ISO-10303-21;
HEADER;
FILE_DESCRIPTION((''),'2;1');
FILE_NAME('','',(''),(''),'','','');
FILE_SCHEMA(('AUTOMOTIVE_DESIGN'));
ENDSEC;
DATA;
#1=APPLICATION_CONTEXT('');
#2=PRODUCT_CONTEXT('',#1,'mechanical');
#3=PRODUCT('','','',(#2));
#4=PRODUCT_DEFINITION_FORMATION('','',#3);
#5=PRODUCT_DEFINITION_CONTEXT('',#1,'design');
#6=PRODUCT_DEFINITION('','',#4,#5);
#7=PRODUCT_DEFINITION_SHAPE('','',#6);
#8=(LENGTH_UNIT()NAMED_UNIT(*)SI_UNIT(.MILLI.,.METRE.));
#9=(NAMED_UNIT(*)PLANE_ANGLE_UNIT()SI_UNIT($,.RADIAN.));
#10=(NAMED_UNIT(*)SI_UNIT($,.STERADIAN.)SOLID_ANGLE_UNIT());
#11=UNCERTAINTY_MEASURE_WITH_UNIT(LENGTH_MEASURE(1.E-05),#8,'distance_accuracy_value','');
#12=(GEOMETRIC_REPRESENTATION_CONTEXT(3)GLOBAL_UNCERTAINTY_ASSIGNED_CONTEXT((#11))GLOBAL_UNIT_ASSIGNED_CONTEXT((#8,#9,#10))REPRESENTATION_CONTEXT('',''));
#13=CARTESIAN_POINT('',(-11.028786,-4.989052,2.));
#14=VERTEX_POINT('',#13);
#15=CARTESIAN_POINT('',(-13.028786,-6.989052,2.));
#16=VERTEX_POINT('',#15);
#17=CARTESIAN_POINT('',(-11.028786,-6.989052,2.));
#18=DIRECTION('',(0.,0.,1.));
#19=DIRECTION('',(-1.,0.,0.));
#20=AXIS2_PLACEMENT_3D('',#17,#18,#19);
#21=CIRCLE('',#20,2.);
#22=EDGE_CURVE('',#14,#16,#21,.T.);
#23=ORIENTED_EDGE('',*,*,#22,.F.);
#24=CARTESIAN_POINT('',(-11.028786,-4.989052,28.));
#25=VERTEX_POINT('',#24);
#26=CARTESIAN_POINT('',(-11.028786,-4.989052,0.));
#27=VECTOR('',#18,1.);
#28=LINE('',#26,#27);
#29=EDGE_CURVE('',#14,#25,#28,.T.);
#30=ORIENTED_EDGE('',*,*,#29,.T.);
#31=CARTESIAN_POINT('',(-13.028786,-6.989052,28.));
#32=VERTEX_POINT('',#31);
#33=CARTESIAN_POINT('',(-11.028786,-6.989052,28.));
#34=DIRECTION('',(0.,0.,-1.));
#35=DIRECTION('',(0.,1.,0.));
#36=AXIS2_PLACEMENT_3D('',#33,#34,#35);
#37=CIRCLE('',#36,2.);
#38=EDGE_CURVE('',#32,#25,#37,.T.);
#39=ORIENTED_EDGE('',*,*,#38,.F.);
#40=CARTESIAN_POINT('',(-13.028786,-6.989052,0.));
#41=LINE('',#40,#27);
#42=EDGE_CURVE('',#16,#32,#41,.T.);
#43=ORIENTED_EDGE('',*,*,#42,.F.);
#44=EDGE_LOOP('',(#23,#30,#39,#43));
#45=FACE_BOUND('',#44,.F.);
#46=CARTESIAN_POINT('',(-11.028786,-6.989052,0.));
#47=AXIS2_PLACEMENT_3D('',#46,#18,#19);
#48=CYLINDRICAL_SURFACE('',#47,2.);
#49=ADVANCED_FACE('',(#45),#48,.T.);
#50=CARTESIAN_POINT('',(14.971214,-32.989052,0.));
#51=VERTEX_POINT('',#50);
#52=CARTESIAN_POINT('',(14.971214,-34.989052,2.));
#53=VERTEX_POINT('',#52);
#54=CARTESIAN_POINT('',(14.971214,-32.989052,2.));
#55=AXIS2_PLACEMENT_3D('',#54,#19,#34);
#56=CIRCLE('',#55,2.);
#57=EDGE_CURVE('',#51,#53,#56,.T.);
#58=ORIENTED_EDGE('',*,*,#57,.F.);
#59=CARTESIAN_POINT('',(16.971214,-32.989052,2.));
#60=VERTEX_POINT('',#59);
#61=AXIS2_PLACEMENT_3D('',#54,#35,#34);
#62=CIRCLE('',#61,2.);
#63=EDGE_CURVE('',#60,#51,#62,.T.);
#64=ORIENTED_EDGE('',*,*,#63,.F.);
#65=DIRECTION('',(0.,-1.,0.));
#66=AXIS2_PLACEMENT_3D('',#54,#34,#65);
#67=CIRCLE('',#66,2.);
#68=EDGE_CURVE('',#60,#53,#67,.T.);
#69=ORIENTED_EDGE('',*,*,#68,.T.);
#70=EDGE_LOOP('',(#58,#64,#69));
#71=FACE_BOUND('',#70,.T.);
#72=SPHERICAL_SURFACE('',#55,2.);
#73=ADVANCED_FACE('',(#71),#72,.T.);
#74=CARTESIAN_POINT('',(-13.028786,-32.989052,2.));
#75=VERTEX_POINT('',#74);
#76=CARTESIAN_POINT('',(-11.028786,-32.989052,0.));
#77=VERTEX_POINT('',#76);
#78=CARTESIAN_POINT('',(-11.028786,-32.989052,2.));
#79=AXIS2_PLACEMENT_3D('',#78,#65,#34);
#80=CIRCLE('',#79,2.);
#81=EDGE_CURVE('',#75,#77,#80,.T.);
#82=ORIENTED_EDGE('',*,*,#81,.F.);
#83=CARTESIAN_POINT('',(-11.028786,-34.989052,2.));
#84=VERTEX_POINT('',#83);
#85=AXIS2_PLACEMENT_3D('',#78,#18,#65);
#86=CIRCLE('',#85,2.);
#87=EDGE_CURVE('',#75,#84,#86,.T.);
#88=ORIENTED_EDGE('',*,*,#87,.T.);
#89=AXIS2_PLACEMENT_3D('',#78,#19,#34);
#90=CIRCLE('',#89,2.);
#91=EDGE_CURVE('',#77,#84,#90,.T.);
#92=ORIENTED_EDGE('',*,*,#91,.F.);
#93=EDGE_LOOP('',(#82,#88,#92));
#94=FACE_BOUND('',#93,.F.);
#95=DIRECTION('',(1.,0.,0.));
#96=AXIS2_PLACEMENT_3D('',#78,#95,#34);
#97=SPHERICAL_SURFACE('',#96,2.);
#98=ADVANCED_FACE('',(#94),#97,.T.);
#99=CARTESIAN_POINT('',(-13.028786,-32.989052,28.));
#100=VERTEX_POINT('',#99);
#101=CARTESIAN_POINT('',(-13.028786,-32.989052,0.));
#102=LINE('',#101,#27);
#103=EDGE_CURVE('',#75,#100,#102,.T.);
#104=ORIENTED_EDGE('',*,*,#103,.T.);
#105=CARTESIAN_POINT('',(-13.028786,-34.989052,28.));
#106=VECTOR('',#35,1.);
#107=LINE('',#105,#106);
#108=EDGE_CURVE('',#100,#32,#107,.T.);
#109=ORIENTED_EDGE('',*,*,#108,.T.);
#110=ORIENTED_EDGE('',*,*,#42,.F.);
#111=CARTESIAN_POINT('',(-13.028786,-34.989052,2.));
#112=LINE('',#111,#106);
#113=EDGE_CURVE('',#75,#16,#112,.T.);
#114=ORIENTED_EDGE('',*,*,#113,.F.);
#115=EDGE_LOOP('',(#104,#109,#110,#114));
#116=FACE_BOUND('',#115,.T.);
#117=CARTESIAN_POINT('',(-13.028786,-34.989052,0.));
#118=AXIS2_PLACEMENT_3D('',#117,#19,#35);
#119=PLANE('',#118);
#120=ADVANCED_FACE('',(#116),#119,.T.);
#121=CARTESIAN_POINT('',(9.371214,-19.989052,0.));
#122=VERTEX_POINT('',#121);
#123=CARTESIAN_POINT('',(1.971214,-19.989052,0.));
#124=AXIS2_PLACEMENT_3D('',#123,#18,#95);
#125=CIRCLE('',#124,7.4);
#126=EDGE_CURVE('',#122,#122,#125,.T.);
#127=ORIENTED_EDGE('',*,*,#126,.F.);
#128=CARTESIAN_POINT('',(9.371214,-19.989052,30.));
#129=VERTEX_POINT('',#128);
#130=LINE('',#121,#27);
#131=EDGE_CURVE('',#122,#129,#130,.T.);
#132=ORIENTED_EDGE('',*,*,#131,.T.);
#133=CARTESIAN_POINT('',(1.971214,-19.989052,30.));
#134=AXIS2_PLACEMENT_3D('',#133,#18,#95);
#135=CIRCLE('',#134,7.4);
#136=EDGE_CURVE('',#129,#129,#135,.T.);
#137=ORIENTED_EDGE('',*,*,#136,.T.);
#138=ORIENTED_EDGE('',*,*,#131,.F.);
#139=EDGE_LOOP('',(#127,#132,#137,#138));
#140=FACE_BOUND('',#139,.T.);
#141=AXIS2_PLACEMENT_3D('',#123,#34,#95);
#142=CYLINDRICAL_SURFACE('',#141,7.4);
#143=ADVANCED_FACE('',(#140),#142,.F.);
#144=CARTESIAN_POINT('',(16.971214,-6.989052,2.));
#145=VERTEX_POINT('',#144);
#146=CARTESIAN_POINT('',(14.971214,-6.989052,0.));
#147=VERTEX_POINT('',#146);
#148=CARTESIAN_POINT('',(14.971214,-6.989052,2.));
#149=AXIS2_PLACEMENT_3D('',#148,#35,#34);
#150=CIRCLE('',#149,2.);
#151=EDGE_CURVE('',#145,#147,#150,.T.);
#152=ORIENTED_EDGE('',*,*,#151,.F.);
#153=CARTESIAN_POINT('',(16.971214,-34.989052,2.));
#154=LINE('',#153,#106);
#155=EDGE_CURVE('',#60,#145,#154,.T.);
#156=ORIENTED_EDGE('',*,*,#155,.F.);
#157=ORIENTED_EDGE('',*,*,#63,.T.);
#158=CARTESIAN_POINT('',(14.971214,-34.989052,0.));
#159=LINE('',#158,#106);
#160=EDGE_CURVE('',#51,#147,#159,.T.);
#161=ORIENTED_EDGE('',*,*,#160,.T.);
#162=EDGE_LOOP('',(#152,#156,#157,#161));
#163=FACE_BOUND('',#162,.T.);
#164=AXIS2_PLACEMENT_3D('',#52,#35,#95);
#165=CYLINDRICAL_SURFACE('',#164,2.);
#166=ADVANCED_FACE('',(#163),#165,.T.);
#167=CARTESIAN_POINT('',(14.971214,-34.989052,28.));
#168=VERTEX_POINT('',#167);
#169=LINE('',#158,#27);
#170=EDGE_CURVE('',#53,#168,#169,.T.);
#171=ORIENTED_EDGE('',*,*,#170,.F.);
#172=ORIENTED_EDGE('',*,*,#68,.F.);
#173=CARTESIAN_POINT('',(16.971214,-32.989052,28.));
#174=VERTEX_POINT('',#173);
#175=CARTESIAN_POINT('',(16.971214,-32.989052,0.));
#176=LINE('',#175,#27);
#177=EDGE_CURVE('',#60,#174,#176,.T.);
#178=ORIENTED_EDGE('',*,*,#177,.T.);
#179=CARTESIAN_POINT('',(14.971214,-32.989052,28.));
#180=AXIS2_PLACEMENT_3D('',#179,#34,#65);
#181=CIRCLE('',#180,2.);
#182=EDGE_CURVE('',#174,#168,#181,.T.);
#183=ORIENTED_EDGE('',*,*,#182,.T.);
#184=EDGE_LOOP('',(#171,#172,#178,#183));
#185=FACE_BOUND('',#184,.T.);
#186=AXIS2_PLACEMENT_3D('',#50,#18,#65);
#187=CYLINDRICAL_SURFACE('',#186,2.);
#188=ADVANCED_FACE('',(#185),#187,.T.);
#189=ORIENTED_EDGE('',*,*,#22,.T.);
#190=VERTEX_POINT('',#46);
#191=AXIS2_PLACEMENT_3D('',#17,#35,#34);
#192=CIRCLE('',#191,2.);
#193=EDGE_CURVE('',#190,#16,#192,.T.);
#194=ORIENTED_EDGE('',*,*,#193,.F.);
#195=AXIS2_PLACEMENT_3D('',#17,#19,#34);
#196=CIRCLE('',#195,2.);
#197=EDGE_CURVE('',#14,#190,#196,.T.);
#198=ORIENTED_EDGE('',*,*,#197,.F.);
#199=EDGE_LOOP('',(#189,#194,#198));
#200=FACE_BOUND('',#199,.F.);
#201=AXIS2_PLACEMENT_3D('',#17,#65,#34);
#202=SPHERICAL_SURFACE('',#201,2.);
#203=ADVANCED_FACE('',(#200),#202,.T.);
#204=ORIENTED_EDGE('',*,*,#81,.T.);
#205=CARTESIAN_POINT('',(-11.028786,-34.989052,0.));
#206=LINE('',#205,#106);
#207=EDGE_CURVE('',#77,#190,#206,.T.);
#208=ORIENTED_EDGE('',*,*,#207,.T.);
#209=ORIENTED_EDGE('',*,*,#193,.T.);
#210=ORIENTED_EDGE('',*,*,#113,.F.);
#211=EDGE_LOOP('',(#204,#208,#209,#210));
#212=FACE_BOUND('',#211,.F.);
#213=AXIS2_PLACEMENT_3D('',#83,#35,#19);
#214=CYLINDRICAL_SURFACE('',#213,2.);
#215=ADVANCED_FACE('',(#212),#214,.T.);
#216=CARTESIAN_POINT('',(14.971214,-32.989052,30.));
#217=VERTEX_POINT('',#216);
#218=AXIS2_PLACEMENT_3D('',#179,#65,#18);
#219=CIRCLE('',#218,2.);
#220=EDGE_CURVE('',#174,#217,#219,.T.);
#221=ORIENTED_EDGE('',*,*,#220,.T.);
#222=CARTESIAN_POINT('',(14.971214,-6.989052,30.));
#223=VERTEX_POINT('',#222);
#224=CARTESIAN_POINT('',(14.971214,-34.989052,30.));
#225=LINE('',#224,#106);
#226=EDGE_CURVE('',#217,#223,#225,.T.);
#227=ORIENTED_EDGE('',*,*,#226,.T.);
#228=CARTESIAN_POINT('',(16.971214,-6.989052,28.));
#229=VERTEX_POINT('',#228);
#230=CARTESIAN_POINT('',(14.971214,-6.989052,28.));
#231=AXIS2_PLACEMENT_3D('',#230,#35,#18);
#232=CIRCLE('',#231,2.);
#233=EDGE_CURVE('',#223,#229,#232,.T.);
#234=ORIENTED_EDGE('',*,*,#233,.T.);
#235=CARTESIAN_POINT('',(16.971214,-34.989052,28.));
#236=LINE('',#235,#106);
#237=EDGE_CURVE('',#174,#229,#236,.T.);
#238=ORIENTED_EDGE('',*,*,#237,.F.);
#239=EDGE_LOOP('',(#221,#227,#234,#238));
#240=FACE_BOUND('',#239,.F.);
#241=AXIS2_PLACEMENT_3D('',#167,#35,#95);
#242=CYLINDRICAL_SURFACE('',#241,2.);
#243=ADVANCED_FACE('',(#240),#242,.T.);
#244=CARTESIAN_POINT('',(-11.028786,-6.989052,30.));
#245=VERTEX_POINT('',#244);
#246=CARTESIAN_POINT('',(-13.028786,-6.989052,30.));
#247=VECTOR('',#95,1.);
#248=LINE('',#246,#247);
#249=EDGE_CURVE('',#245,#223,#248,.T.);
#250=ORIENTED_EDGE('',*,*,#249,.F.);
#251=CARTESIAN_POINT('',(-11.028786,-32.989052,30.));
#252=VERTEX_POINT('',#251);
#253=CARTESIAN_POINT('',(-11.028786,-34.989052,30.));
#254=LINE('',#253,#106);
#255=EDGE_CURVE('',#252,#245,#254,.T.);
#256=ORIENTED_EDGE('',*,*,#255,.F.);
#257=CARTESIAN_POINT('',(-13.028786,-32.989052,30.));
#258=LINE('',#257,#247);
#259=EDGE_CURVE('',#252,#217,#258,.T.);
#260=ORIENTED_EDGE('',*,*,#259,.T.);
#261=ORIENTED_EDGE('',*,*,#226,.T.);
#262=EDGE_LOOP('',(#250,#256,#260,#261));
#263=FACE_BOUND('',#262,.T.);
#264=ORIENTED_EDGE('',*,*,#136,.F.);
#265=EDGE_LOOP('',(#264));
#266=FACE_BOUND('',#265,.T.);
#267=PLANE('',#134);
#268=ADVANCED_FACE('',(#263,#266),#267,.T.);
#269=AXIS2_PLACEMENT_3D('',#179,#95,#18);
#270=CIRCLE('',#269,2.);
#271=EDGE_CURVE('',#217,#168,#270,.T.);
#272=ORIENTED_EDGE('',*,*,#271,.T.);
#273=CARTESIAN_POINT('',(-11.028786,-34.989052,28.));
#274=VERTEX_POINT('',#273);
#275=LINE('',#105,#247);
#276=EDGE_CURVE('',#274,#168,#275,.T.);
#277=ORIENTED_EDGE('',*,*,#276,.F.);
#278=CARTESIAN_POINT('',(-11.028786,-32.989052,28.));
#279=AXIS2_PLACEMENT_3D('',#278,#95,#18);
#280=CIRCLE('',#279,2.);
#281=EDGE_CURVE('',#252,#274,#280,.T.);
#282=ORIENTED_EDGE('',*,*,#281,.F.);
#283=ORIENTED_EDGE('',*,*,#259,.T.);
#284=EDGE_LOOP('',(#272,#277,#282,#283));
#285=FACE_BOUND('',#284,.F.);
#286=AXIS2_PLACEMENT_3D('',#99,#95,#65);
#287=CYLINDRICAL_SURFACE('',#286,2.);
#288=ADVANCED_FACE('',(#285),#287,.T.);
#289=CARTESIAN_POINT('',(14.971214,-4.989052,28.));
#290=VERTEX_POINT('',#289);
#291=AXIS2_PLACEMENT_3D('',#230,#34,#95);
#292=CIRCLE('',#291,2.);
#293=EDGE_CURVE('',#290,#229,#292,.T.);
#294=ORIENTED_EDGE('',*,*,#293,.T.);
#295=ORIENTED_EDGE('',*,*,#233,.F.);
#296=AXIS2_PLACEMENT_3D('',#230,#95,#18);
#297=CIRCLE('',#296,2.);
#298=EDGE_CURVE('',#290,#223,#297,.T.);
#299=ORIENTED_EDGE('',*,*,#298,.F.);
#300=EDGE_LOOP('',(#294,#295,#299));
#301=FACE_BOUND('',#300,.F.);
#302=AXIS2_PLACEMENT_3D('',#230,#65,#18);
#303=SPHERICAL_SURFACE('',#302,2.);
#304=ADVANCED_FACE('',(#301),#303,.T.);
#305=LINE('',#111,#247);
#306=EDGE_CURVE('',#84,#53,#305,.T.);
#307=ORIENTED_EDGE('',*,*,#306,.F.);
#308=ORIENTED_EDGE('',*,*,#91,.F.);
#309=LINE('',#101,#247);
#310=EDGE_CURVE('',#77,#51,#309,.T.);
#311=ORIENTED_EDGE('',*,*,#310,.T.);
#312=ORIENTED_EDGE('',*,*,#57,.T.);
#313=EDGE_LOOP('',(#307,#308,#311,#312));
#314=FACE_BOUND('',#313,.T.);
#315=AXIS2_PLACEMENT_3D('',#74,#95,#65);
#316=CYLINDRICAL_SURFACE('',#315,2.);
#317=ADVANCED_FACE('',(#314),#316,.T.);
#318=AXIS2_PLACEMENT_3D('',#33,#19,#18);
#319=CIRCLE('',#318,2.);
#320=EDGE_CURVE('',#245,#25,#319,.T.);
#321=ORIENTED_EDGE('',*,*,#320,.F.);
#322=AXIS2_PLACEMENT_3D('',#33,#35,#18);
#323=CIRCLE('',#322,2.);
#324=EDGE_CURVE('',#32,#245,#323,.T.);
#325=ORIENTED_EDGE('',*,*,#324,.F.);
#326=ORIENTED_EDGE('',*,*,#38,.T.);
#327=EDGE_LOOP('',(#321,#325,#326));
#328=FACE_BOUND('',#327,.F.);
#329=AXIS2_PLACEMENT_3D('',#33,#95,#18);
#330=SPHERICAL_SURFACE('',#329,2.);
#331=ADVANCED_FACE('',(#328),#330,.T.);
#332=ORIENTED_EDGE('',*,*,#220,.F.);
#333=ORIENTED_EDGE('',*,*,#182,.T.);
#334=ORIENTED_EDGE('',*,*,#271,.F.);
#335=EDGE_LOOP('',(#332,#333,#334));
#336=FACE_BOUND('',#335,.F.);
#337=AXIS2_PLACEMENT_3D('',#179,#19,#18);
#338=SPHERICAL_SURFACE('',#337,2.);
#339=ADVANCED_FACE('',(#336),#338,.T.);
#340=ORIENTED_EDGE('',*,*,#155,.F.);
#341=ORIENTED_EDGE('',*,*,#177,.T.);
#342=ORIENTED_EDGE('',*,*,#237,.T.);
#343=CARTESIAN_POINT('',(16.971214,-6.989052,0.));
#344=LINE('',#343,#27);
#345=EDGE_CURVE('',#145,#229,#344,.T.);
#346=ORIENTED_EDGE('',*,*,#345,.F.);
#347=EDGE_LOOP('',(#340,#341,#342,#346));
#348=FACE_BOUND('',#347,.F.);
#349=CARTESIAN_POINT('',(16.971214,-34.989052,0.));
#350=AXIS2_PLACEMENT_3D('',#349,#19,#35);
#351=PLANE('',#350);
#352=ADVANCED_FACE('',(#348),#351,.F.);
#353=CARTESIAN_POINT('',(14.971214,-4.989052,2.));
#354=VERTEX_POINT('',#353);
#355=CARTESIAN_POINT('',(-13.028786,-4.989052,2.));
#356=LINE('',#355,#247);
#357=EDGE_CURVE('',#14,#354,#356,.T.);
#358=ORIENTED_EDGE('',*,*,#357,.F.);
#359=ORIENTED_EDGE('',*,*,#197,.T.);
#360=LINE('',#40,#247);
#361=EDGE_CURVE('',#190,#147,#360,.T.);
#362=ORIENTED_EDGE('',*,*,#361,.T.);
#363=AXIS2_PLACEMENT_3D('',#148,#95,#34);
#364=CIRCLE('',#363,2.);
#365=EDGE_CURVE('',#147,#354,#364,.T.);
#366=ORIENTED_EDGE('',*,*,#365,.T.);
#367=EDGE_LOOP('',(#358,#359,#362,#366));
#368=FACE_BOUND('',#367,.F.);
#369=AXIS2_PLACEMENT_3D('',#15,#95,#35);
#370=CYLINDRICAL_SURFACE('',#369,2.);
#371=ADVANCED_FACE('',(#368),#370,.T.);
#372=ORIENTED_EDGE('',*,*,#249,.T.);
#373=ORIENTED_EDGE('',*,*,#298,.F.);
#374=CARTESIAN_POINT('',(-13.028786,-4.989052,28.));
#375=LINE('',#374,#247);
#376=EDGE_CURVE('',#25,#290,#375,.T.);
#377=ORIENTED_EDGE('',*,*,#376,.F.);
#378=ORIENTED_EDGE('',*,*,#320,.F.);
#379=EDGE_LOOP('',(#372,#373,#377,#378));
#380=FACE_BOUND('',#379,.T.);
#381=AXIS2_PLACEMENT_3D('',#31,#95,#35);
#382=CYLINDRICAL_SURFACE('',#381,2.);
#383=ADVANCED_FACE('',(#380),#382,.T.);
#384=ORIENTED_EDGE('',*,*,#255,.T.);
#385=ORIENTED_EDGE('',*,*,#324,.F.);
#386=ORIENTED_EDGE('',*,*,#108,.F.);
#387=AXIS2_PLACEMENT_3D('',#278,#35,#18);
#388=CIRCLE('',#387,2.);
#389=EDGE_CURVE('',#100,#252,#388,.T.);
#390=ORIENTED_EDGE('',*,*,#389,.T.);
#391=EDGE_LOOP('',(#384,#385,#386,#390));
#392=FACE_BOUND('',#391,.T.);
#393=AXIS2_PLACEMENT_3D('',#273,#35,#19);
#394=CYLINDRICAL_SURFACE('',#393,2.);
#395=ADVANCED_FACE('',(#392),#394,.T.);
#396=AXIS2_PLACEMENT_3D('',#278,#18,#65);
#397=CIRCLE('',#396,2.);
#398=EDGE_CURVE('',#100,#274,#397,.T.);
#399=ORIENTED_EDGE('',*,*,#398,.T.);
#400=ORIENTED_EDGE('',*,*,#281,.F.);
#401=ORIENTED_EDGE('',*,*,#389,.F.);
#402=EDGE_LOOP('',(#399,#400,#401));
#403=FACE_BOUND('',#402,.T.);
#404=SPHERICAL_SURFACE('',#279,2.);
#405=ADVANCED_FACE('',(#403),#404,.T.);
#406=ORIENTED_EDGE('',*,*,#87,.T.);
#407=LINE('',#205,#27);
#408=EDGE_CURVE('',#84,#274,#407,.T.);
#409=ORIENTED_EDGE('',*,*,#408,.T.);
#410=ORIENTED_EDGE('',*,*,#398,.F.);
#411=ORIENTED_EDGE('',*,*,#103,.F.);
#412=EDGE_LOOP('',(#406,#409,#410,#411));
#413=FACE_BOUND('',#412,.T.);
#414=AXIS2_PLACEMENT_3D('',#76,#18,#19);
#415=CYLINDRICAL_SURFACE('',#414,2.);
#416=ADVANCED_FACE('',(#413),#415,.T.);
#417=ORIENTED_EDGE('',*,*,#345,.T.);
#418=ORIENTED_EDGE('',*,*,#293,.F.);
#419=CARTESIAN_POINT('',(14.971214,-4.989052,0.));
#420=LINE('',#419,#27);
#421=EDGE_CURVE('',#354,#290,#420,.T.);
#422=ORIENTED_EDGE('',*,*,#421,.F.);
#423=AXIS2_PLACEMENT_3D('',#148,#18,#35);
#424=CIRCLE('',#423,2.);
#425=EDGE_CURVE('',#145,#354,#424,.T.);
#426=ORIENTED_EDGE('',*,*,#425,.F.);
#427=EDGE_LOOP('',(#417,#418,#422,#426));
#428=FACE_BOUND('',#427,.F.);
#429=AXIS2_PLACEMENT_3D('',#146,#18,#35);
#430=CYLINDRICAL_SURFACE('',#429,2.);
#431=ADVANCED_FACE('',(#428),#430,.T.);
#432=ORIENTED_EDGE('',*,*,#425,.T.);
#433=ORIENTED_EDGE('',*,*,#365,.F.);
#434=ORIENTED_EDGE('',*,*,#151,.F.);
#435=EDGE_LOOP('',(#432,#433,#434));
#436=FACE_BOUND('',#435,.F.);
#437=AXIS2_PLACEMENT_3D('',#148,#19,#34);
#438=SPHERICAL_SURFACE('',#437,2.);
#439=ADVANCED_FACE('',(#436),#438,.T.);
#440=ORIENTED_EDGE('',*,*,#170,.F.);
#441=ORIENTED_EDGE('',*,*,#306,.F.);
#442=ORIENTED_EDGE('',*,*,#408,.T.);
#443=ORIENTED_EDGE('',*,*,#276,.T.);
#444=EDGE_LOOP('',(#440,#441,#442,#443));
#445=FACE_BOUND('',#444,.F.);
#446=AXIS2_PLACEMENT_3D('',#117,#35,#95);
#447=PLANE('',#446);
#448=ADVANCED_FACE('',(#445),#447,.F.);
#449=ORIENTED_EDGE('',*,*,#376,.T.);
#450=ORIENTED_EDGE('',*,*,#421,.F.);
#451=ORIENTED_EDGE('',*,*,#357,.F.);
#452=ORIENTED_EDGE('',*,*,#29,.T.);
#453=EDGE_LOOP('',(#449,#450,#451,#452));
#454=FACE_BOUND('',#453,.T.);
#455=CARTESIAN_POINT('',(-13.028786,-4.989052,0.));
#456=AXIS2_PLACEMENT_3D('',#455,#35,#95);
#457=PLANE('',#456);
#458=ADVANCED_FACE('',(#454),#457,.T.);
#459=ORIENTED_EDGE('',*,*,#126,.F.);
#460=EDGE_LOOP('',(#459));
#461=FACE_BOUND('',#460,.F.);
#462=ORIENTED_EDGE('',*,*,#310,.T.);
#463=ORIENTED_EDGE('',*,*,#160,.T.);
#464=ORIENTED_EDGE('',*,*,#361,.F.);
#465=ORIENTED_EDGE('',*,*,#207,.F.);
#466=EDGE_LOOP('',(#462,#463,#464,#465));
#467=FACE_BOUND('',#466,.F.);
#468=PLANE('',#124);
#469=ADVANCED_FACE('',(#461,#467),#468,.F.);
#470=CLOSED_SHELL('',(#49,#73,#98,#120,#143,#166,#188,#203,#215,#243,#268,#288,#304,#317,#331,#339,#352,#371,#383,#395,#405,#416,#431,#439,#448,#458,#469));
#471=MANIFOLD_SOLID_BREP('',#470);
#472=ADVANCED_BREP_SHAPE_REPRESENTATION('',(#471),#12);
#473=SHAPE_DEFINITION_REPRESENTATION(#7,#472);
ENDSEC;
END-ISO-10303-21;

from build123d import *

# Parameters (mm, degrees)
F0_W     = 30
F0_H     = 30
F0_R     = 7.4
F1_DEPTH = 30
F2_R     = 2


with BuildPart() as f1:
    # F0 (on Top) → F1 (new body)
    with BuildSketch(Plane.XY):
        with Locations((1.971214, -19.989052)):
            Rectangle(F0_W, F0_H)
        with Locations((1.971214, -19.989052)):
            Circle(F0_R, mode=Mode.SUBTRACT)
    extrude(amount=F1_DEPTH)

    # F2
    f2_edges = [f1.edges().sort_by_distance(p)[0] for p in [
        (1.971214, -34.989052, 30),
        (16.971214, -19.989052, 30),
        (1.971214, -4.989052, 30),
        (-13.028786, -19.989052, 30),
        (1.971214, -34.989052, 0),
        (-13.028786, -19.989052, 0),
        (1.971214, -4.989052, 0),
        (16.971214, -19.989052, 0),
        (-13.028786, -4.989052, 15),
        (16.971214, -4.989052, 15),
        (16.971214, -34.989052, 15),
        (-13.028786, -34.989052, 15),
    ]]
    fillet(f2_edges, radius=F2_R)


solid = f1.part
